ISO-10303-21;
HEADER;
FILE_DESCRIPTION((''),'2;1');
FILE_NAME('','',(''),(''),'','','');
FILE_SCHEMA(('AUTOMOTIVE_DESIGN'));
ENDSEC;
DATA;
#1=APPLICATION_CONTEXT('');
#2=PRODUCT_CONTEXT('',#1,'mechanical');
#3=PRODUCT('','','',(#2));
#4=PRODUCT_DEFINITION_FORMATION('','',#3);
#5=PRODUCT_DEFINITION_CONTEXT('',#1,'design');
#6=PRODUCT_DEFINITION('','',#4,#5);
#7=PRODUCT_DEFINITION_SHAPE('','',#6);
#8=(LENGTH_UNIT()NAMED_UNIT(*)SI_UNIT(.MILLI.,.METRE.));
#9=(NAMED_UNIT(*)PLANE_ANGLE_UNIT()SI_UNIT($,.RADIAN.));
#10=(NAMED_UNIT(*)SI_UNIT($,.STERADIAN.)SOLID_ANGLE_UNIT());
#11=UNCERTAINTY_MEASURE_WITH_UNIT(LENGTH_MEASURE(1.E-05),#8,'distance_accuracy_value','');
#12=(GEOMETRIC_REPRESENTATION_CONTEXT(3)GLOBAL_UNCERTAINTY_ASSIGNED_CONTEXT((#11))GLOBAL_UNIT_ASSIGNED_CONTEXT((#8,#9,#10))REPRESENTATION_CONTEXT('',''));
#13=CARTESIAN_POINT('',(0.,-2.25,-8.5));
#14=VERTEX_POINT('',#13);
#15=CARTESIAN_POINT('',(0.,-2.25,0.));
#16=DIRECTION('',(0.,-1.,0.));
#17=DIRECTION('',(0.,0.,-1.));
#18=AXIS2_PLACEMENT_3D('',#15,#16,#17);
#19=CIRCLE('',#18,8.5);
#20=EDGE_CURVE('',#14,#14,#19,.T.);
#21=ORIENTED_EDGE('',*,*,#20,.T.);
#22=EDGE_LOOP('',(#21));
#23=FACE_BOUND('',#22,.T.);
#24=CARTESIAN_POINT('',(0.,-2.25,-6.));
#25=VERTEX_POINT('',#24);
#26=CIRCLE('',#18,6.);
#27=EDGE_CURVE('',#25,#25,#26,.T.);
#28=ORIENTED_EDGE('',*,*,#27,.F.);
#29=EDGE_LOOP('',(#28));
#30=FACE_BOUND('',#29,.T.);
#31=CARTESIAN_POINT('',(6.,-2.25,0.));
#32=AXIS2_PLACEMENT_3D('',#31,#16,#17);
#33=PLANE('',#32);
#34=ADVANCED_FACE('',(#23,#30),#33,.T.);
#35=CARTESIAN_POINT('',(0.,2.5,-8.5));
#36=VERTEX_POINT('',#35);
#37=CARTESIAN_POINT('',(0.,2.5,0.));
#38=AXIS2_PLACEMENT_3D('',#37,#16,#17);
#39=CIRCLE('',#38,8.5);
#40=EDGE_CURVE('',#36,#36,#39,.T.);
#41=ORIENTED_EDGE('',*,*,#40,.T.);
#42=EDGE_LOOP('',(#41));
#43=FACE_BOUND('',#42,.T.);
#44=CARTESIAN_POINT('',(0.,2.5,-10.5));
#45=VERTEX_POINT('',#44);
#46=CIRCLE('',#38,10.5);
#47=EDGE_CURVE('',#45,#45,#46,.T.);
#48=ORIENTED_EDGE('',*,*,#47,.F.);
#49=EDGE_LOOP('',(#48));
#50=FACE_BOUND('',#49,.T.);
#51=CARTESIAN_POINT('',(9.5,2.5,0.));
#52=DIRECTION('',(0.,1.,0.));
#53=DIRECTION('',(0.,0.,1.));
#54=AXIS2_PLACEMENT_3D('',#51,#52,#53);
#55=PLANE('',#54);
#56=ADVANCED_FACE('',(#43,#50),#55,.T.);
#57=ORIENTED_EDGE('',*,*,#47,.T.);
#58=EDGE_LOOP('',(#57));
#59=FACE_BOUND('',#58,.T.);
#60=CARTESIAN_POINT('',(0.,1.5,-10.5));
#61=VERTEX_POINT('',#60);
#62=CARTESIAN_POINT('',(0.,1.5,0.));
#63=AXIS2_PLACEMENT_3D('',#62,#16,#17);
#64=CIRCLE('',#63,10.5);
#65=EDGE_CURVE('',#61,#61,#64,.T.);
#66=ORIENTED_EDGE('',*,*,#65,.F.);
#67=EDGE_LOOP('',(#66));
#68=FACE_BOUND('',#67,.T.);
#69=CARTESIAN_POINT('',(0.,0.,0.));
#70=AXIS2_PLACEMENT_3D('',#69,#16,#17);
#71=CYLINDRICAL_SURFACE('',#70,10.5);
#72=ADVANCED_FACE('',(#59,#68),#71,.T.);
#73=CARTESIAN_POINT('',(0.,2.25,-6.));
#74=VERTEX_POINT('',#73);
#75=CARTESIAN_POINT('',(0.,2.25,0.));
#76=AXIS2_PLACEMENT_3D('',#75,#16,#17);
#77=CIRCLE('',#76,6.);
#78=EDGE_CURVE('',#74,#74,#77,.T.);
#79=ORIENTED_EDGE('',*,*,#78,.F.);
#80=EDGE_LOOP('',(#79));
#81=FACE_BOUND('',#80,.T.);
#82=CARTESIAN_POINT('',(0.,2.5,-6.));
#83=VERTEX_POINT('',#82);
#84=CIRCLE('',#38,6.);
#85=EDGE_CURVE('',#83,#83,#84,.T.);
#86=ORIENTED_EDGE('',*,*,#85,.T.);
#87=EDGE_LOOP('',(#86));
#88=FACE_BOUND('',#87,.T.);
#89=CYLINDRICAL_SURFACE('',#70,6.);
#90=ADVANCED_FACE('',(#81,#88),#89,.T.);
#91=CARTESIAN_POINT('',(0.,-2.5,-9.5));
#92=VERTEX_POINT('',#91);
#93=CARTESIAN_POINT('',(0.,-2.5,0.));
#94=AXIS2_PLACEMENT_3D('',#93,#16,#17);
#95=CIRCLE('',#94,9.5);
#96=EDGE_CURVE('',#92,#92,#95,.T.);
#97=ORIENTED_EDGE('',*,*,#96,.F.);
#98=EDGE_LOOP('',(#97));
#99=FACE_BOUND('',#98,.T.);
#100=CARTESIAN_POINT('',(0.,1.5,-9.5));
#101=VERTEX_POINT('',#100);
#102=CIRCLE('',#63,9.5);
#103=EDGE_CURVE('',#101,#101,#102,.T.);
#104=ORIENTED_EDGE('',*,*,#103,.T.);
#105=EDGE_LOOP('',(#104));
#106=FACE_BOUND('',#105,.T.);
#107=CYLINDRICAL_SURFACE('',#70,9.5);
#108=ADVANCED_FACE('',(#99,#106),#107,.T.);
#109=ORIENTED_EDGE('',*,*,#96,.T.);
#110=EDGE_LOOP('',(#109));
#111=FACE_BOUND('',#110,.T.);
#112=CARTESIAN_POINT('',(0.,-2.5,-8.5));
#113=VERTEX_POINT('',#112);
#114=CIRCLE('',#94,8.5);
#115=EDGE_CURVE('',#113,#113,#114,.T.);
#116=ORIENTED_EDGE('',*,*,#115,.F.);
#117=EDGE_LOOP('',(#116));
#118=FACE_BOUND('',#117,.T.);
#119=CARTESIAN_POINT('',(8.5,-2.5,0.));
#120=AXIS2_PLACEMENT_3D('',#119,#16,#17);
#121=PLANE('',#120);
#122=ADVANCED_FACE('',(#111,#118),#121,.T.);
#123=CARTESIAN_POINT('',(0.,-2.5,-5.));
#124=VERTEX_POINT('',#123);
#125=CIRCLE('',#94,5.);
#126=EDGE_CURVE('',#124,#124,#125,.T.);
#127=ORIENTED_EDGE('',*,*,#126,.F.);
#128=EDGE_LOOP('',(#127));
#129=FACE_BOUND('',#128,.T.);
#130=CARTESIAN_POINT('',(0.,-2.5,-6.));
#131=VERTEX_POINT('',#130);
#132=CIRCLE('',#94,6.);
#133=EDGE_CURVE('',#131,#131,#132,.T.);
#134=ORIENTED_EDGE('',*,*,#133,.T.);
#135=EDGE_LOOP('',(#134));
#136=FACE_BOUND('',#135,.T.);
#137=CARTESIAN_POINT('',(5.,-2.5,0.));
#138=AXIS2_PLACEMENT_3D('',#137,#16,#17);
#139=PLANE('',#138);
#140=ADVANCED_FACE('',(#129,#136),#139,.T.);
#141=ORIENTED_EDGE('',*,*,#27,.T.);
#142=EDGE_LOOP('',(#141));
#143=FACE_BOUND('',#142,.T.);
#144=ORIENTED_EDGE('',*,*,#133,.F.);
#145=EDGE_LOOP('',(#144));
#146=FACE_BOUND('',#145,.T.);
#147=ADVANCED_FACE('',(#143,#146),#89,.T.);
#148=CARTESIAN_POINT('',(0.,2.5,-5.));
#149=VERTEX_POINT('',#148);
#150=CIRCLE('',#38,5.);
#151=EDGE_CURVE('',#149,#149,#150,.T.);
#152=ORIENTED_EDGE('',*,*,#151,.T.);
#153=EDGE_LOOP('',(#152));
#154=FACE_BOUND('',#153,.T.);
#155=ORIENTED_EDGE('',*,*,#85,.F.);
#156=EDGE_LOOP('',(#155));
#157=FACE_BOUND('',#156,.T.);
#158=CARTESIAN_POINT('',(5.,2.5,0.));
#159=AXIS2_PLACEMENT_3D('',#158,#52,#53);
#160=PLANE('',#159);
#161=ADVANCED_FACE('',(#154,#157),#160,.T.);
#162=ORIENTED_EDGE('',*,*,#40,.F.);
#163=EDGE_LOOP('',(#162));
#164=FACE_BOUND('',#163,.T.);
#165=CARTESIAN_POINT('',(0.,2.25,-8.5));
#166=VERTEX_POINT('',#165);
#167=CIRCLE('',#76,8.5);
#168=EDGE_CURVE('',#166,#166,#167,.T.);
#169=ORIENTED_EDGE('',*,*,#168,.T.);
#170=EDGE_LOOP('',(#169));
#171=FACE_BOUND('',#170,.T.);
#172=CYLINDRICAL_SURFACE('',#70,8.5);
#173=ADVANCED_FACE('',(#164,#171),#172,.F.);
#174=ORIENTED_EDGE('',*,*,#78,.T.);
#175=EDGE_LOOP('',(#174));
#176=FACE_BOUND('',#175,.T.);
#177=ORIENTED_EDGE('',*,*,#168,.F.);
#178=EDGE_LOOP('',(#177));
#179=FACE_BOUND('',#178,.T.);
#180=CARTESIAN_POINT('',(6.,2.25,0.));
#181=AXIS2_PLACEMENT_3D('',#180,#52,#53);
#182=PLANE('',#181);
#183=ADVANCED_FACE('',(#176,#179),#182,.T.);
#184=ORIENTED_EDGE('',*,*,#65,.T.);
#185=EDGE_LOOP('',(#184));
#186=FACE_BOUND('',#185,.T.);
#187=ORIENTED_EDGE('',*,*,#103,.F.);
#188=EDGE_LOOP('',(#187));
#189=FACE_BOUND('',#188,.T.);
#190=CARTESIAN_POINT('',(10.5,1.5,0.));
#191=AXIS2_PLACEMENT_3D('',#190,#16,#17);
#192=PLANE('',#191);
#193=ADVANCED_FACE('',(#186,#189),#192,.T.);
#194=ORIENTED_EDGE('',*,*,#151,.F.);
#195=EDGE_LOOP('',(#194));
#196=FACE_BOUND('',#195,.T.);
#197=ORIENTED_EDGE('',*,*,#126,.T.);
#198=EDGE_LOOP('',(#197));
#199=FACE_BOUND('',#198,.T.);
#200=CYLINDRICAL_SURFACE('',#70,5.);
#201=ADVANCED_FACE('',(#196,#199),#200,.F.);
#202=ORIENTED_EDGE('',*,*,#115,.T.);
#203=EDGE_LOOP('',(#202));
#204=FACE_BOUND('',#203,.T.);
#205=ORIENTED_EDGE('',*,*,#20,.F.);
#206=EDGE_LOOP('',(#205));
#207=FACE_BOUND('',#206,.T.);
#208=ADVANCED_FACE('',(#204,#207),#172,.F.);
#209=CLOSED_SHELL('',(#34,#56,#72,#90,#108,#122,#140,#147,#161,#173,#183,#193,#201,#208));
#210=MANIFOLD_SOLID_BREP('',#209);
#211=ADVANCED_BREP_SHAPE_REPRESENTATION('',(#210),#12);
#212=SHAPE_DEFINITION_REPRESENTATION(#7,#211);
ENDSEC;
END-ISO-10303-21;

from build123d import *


with BuildPart() as part:
    # 草图2 → 旋转1 (revolve)
    with BuildSketch(Plane.XY, mode=Mode.PRIVATE) as revolve_1_sk:
        Polygon((5, 2.5), (5, -2.5), (6, -2.5), (6, -2.25), (8.5, -2.25), (8.5, -2.5), (9.5, -2.5), (9.5, 1.5), (10.5, 1.5), (10.5, 2.5), (9.5, 2.5), (8.5, 2.5), (8.5, 2.25), (6, 2.25), (6, 2.5), align=None)
    revolve(revolve_1_sk.sketch.rotate(Axis((0, 0, 0), (0, 1, 0)), 90), axis=Axis((0, 0, 0), (0, 1, 0)))


solid = part.part
